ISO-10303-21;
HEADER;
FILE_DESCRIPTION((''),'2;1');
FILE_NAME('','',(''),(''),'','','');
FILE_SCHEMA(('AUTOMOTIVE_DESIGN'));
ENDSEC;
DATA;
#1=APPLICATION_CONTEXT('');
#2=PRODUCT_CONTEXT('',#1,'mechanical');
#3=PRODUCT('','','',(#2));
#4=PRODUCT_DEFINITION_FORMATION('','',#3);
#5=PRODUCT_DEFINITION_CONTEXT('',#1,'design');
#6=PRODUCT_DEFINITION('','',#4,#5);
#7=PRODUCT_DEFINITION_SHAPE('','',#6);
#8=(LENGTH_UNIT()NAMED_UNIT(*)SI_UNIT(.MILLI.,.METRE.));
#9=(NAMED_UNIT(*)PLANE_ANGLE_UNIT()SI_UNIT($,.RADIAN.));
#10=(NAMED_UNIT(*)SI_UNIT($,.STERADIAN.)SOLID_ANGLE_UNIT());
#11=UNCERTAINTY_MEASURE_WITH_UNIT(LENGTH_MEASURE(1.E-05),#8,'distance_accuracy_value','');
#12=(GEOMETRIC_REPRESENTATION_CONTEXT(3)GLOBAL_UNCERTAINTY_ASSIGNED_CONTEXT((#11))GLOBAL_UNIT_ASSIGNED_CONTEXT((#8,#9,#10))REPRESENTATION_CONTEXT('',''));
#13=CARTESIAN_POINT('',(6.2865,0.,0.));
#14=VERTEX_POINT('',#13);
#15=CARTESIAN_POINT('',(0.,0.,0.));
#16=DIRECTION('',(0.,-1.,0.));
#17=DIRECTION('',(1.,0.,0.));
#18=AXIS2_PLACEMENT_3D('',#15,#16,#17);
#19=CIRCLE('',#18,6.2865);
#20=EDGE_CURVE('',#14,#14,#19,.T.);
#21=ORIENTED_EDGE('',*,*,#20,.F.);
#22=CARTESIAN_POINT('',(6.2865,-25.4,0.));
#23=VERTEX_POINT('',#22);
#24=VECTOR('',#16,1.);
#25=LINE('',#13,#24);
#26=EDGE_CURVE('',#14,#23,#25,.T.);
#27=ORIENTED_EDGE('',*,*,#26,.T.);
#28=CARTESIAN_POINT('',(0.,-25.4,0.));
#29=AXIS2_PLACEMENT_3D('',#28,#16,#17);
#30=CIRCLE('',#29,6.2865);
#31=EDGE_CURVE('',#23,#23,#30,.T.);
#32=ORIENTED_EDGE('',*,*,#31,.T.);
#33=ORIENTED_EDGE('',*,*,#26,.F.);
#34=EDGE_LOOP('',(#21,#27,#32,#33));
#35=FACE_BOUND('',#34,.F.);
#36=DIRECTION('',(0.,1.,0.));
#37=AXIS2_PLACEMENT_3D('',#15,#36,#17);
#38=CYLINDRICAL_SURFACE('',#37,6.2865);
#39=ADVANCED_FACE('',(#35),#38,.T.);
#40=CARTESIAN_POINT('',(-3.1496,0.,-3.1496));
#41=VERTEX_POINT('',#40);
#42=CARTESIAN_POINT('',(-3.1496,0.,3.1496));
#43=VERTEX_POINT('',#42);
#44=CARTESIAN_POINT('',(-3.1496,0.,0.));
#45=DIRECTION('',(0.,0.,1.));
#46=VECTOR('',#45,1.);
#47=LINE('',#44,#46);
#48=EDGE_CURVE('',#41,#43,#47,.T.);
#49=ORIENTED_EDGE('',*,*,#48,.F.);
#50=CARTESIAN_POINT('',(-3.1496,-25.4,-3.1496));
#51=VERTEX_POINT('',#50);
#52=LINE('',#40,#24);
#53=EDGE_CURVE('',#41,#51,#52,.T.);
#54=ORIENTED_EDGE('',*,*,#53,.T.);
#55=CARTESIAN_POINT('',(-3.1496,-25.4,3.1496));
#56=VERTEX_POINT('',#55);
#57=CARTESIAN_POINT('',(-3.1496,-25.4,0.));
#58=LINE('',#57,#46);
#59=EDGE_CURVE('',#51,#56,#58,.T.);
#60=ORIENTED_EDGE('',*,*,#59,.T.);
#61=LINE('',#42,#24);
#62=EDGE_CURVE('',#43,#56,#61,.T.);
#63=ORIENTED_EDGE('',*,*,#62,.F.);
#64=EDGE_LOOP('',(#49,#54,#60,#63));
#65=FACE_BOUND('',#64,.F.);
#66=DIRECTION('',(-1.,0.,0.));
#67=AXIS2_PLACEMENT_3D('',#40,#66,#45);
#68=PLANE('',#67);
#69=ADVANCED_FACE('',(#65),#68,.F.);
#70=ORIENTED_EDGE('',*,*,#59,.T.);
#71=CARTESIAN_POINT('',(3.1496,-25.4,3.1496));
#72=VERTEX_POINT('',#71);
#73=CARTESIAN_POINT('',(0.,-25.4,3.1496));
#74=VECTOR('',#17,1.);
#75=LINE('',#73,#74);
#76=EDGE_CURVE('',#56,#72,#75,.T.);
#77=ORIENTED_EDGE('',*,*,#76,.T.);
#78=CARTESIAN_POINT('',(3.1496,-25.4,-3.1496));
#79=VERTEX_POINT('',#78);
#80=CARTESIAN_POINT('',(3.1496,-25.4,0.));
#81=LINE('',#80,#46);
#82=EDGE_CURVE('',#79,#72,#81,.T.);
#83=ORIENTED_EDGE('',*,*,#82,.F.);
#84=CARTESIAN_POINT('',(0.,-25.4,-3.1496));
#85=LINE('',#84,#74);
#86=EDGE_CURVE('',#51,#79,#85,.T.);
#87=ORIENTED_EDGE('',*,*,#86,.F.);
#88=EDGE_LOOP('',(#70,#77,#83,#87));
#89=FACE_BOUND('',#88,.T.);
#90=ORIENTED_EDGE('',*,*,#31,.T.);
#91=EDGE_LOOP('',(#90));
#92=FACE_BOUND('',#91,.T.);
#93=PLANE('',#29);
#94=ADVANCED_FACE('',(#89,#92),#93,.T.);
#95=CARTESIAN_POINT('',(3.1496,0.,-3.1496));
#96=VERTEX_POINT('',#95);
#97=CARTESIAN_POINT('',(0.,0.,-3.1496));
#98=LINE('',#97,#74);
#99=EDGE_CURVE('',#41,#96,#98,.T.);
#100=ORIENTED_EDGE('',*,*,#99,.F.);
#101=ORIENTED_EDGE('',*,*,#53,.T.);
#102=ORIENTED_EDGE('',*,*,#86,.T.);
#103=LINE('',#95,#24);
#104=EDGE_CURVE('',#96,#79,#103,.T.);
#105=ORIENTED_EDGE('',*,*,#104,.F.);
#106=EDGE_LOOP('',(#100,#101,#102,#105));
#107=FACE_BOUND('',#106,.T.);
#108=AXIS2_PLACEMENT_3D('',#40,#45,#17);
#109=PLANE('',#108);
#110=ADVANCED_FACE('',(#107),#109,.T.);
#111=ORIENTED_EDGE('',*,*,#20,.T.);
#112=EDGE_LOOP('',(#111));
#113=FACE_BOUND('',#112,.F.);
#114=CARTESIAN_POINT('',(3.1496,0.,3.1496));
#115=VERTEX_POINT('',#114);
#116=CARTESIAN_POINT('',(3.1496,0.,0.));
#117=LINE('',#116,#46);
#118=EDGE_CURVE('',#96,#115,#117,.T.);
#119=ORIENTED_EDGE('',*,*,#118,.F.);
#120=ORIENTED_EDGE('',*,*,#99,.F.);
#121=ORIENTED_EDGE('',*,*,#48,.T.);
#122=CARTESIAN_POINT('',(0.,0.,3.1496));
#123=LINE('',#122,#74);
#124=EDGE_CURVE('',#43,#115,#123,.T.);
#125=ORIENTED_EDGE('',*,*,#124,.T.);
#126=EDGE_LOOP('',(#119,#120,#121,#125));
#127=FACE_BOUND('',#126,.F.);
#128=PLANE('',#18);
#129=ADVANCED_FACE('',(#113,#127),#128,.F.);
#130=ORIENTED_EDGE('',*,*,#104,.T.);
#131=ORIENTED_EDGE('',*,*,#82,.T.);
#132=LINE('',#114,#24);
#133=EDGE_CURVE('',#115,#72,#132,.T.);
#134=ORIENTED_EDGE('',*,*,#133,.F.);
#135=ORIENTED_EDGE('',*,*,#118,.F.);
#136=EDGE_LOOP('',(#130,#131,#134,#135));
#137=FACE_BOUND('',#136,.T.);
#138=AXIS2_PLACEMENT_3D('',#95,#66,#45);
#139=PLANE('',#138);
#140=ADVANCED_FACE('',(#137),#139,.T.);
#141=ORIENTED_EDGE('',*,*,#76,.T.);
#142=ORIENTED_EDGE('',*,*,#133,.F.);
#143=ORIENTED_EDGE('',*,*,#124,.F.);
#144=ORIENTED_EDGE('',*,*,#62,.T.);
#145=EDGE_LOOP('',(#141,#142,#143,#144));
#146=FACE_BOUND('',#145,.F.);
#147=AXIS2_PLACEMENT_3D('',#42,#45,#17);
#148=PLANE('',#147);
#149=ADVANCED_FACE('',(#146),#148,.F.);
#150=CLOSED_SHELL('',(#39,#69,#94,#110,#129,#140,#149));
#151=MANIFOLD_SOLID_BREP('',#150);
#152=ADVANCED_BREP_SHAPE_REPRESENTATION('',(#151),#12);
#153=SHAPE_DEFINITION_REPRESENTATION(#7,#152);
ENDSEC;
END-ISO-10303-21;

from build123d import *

# Parameters (mm, degrees)
F0_R     = 6.2865
F0_W     = 6.2992
F0_H     = 6.2992
F1_DEPTH = 25.4


with BuildPart() as f1:
    # F0 (on Front) → F1 (new body)
    with BuildSketch(Plane.XZ):
        Circle(F0_R)
        Rectangle(F0_W, F0_H, mode=Mode.SUBTRACT)
    extrude(amount=F1_DEPTH)


solid = f1.part
